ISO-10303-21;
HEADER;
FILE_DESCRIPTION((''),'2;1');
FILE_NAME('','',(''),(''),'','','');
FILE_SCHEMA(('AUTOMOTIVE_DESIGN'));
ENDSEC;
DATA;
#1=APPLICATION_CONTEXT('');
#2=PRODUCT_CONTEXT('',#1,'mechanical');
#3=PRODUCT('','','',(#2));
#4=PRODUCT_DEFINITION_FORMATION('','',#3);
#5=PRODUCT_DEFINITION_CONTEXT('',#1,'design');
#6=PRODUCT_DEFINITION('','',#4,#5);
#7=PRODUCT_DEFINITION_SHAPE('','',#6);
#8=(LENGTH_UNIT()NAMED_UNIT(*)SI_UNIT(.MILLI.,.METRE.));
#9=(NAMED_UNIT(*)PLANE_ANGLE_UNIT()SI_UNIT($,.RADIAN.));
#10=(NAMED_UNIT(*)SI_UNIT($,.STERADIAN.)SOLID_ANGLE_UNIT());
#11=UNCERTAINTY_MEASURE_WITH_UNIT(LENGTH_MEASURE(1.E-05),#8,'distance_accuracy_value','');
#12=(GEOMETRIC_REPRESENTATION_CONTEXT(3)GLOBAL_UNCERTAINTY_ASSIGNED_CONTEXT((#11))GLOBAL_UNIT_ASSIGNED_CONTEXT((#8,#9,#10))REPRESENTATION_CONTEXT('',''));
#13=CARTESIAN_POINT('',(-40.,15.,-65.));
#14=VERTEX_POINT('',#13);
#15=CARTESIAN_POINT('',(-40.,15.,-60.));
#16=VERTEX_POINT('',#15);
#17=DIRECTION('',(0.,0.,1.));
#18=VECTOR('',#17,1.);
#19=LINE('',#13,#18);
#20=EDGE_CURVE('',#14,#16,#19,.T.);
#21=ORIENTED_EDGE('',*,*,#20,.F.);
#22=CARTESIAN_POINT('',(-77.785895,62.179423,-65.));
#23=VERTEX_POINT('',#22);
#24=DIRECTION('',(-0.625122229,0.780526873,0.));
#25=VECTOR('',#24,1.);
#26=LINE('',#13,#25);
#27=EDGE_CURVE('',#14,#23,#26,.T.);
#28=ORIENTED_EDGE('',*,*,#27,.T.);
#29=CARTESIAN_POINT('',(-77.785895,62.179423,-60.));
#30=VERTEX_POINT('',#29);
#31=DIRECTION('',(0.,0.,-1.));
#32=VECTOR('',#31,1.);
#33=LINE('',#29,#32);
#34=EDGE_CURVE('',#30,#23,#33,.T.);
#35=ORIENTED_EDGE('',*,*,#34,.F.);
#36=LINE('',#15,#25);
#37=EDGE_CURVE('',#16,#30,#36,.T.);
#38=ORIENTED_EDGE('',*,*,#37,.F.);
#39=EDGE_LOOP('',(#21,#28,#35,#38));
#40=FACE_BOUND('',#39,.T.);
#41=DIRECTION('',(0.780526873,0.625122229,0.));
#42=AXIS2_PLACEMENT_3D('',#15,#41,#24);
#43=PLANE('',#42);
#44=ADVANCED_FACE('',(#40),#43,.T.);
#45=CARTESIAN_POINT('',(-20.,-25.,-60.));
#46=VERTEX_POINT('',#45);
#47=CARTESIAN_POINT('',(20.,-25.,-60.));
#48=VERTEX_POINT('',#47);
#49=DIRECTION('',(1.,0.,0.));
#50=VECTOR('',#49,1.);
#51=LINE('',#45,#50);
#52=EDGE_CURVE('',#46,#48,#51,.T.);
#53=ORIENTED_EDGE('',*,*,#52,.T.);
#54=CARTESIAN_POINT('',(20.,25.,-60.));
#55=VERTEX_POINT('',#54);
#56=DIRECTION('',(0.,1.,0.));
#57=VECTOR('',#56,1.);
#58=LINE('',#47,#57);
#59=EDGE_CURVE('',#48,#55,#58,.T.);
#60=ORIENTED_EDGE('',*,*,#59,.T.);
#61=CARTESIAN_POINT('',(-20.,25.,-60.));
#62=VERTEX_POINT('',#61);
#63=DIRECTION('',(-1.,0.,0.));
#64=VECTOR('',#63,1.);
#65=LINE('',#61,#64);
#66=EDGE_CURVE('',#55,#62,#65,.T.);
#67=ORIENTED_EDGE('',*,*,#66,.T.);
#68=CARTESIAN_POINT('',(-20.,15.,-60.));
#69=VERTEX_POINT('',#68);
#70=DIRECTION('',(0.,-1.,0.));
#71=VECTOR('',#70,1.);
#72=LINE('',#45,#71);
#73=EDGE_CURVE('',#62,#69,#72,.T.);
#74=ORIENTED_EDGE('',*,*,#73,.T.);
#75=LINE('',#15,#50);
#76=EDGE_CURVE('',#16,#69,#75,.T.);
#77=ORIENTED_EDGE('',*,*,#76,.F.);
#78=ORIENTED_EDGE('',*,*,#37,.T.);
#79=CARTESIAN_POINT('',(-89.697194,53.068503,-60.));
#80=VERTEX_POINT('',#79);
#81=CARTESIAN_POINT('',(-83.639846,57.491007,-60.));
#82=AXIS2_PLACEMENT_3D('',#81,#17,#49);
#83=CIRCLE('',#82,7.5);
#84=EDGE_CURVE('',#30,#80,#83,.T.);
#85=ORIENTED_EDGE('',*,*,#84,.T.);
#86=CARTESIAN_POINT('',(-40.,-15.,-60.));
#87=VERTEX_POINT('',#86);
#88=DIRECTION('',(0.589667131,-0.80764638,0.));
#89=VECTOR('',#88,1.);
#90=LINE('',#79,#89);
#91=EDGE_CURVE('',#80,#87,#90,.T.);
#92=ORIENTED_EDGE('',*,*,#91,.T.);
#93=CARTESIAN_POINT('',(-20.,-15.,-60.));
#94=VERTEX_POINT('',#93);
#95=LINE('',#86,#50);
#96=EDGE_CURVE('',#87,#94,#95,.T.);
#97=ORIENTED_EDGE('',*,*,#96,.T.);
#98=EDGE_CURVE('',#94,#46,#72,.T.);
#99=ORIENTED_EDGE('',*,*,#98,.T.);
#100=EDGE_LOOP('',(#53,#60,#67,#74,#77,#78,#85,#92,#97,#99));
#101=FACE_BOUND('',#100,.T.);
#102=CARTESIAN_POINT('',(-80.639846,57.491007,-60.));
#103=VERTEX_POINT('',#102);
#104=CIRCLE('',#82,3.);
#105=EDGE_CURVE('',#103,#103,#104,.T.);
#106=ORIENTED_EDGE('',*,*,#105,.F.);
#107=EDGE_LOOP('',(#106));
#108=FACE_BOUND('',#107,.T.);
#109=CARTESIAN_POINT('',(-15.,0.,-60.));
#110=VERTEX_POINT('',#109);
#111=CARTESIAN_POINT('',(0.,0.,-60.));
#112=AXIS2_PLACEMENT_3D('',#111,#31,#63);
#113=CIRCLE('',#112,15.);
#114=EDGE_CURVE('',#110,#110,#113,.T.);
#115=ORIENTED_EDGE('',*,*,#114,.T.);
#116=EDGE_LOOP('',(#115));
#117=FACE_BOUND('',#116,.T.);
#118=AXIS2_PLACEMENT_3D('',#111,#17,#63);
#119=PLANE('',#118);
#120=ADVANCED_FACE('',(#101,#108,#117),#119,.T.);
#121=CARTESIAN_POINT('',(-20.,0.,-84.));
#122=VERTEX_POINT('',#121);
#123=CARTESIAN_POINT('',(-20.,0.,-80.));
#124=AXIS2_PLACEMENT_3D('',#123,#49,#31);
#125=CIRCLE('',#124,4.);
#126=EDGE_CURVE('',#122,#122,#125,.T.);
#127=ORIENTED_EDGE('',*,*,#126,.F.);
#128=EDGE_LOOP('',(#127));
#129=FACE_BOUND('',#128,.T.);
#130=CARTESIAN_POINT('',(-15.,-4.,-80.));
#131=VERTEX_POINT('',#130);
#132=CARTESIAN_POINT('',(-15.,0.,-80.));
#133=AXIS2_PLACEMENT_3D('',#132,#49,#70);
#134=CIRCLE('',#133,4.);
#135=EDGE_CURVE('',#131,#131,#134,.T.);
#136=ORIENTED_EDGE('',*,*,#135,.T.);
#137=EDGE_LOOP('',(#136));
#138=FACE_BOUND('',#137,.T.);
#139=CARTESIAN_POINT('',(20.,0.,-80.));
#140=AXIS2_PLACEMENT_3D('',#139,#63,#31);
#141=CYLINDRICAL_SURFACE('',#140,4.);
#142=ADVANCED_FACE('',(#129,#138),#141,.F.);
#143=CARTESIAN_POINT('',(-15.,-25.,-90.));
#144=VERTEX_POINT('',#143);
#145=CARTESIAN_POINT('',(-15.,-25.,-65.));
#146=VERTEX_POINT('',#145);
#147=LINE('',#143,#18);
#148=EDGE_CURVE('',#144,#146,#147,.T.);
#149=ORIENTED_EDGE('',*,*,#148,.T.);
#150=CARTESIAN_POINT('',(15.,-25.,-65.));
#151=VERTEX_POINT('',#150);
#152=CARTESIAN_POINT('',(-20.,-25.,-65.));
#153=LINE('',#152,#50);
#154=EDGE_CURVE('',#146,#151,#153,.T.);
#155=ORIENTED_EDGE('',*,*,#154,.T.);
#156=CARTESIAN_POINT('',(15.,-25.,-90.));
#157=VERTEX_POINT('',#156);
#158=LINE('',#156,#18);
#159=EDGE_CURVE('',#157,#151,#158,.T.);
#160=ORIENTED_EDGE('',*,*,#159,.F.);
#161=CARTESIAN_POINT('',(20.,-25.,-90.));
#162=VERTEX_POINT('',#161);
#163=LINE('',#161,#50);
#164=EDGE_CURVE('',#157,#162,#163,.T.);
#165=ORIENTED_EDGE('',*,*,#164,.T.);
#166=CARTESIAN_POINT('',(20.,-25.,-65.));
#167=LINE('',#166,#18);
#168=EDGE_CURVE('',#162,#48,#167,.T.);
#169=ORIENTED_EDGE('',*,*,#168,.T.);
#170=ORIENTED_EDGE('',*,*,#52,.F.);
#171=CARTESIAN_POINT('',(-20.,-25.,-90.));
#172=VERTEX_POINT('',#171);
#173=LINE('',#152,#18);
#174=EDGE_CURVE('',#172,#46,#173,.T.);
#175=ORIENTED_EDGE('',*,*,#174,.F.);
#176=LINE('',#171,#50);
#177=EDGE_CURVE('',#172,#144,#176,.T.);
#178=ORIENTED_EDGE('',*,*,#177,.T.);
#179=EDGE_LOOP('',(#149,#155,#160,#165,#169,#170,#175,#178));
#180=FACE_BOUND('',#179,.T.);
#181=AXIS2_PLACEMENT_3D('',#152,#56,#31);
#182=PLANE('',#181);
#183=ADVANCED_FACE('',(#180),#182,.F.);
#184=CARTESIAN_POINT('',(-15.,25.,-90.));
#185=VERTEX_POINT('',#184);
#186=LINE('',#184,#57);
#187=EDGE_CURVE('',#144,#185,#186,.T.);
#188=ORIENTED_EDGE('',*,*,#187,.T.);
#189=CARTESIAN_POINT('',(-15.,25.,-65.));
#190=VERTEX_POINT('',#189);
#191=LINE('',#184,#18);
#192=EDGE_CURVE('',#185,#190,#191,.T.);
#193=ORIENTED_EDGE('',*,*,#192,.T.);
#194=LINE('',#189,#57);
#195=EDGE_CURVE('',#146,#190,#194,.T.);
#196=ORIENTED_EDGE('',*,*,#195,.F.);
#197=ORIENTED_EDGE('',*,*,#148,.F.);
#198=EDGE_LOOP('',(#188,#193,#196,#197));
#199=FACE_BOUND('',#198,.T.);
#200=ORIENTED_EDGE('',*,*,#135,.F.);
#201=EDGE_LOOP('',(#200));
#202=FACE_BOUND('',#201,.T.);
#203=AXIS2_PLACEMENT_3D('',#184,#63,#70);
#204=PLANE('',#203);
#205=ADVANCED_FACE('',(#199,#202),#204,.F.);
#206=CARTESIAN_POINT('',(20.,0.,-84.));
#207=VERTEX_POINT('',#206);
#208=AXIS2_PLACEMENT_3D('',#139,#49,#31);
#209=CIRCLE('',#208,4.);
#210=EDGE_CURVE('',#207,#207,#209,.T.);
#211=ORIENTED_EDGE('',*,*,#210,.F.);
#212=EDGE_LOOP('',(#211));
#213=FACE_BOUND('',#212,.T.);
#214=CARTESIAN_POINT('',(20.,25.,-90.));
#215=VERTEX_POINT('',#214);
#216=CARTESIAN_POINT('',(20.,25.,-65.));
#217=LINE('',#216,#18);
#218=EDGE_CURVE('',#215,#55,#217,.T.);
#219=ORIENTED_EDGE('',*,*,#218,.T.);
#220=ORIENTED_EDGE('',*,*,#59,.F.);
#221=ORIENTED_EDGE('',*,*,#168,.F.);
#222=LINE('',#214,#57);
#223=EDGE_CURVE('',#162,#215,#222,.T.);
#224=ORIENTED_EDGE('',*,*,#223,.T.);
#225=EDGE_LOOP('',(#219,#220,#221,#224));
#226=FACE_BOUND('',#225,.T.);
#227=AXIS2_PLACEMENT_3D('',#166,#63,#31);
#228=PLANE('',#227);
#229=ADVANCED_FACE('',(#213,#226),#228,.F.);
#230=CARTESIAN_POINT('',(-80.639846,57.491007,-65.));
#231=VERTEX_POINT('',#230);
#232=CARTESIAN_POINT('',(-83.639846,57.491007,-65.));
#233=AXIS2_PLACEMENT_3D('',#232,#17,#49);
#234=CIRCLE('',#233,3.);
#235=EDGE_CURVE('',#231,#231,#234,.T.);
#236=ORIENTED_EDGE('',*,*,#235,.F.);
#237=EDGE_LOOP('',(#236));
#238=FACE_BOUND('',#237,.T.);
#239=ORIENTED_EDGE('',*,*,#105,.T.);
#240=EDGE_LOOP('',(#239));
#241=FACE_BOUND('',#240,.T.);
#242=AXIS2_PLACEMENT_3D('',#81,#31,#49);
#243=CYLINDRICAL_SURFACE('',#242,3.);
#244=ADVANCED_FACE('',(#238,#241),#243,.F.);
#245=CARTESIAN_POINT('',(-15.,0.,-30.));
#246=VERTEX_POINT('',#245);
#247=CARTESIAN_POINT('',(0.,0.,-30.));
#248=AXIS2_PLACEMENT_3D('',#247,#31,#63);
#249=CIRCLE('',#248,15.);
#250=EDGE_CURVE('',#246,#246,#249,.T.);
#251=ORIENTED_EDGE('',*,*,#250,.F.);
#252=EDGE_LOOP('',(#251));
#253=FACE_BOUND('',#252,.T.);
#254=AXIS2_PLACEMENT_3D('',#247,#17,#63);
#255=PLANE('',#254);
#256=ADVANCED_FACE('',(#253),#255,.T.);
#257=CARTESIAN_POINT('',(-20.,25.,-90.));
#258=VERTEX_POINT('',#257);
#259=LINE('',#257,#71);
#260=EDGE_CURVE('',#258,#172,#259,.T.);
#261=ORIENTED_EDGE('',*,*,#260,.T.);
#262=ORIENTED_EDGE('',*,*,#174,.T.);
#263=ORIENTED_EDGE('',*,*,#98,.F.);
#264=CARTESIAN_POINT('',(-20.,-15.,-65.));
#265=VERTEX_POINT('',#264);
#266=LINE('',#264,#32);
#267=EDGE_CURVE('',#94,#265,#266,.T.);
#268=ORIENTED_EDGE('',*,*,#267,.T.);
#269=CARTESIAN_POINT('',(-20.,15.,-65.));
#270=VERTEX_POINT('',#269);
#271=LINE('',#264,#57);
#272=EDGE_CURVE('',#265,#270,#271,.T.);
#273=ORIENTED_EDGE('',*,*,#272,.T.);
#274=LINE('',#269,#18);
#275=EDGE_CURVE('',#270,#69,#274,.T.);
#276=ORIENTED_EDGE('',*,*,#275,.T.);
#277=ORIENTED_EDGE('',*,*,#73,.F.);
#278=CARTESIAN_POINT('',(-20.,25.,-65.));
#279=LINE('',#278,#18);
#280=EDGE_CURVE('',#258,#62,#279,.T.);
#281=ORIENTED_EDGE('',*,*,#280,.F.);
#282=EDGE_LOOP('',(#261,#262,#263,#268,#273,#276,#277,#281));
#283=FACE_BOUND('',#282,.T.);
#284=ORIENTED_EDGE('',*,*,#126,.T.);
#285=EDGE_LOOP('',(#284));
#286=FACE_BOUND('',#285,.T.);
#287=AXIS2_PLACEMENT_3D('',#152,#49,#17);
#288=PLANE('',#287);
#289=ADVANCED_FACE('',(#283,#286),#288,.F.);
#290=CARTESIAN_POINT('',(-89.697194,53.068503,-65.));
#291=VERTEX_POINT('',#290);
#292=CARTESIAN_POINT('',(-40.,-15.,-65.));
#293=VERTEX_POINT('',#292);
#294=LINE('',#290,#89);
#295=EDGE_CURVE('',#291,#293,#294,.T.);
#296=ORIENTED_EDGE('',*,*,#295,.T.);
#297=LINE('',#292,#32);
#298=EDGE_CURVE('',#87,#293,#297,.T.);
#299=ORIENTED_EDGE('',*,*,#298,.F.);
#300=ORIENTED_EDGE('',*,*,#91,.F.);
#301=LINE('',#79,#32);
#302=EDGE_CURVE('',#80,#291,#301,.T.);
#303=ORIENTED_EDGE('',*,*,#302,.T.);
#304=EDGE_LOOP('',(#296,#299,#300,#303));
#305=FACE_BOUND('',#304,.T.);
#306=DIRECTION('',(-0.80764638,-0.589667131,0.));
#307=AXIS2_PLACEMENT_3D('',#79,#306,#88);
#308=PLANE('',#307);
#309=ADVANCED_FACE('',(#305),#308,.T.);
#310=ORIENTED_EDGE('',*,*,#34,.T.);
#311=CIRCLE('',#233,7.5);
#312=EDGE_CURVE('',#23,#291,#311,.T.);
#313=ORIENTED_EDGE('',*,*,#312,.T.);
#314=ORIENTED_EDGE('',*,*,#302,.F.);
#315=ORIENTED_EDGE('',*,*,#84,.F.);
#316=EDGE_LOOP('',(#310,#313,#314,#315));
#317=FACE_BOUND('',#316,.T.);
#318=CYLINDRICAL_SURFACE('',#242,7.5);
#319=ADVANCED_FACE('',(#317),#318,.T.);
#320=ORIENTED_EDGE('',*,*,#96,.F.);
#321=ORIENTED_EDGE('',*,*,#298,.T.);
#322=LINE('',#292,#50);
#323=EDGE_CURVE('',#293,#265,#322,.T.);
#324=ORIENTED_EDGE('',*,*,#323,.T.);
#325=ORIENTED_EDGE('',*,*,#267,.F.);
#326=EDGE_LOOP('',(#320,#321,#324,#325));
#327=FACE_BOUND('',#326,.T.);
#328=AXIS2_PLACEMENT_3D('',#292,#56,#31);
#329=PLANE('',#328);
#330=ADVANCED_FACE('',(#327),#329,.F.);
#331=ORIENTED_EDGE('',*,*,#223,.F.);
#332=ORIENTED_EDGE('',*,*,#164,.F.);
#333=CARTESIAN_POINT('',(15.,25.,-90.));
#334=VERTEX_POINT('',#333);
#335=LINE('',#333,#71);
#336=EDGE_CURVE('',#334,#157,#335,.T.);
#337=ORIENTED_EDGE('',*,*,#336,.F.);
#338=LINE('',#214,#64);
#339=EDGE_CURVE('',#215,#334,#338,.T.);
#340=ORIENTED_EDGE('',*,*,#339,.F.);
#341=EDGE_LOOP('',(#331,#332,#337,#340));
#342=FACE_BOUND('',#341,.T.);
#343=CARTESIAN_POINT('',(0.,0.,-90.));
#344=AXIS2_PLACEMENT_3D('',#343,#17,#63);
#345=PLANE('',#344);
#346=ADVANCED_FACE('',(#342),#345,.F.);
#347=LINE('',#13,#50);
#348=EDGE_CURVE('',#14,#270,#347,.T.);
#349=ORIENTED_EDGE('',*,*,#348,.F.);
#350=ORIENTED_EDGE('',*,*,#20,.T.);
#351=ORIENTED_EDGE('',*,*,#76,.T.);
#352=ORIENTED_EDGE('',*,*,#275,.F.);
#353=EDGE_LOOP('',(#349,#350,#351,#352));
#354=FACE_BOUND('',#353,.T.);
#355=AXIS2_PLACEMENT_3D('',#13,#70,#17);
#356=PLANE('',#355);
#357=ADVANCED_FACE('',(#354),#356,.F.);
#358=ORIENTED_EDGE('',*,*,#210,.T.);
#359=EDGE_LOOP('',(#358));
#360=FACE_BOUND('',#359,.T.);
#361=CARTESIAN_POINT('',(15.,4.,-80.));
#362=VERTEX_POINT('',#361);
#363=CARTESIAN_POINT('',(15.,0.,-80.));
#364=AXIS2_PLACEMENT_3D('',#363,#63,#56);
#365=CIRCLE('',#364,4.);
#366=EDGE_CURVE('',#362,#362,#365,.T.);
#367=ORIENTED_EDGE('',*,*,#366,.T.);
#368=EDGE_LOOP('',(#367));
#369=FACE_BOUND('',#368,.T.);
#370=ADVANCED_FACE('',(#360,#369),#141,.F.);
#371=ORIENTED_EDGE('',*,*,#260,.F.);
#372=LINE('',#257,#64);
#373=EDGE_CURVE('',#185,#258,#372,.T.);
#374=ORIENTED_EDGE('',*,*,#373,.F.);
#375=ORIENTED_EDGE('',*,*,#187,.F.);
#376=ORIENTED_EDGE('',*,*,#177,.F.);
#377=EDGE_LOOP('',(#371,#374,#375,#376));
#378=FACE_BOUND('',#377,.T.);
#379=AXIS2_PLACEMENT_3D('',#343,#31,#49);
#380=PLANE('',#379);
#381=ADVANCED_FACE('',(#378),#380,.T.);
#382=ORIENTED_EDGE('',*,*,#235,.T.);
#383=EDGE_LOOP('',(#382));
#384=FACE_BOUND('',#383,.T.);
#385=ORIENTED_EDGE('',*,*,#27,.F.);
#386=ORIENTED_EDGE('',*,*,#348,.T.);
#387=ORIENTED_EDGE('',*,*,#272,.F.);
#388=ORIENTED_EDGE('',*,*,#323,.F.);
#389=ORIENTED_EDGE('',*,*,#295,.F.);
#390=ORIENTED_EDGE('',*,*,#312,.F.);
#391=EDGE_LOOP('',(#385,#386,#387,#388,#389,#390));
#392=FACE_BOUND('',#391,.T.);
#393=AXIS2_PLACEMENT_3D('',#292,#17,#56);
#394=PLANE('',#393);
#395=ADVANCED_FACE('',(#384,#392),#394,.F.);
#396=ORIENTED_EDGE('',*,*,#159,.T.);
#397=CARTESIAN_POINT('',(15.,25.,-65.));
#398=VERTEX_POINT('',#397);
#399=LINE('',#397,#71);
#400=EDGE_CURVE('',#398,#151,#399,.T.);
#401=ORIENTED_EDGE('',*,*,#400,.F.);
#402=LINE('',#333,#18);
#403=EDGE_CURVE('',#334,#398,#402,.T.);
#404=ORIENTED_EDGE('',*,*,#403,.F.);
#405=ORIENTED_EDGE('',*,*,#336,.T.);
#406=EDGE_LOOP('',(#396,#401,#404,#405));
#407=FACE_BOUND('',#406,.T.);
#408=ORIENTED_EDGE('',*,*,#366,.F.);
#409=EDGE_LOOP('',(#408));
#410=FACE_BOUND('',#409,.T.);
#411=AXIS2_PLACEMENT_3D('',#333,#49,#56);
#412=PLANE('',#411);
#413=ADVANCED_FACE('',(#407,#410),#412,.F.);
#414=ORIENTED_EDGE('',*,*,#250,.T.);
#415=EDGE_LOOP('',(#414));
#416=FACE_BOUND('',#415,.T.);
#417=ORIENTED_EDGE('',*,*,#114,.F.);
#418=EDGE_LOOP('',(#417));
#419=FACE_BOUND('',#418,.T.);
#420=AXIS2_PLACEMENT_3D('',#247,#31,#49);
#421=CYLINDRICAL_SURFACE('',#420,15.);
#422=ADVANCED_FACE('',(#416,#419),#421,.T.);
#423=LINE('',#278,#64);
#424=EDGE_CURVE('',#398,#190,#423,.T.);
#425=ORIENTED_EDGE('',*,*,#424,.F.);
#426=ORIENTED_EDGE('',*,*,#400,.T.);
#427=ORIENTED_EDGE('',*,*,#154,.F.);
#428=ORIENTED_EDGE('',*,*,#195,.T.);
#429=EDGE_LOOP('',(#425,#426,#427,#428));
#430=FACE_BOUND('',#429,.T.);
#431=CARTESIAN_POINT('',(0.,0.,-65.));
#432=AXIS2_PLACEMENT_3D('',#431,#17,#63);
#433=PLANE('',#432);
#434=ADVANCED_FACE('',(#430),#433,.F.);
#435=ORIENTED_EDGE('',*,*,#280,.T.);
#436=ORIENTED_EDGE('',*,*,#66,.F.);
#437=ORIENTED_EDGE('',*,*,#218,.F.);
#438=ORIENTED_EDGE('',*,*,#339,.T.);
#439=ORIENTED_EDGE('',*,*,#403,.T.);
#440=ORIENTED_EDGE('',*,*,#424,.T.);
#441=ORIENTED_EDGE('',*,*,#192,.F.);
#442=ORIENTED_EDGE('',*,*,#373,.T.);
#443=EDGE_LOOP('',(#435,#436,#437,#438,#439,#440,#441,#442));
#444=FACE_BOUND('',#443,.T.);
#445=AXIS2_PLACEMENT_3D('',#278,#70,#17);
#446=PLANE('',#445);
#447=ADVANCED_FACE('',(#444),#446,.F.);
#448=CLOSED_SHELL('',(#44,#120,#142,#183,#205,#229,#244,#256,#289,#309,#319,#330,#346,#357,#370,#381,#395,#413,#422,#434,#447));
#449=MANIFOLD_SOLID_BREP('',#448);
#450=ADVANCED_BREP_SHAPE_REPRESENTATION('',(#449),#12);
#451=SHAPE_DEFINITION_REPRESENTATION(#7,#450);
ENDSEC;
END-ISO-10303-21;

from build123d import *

# Parameters (mm, degrees)
SKETCH1_W           = 40
SKETCH1_H           = 50
BOSS_EXTRUDE1_DEPTH = 5
SKETCH2_W           = 5
SKETCH2_H           = 50
BOSS_EXTRUDE2_DEPTH = 25
SKETCH3_R           = 4
CUT_EXTRUDE1_DEPTH  = 56.901699437
SKETCH4_W           = 5
SKETCH4_H           = 30
BOSS_EXTRUDE3_DEPTH = 20
SKETCH5_R           = 3
BOSS_EXTRUDE4_DEPTH = 5
SKETCH6_R           = 15
BOSS_EXTRUDE5_DEPTH = 30


with BuildPart() as part:
    # Sketch1 → Boss-Extrude1 (new body)
    with BuildSketch(Plane.XY):
        Rectangle(SKETCH1_W, SKETCH1_H)
    extrude(amount=BOSS_EXTRUDE1_DEPTH)

    # Sketch2 → Boss-Extrude2 (add)
    with BuildSketch(Plane.XY.offset(5)):
        with Locations((-17.5, 0)):
            Rectangle(SKETCH2_W, SKETCH2_H)
        with Locations((17.5, 0)):
            Rectangle(SKETCH2_W, SKETCH2_H)
    extrude(amount=BOSS_EXTRUDE2_DEPTH)

    # Sketch3 → Cut-Extrude1 (cut, through all)
    with BuildSketch(Plane.ZY.offset(20)):
        with Locations((20, 0)):
            Circle(SKETCH3_R)
    extrude(amount=-CUT_EXTRUDE1_DEPTH, mode=Mode.SUBTRACT)

    # Sketch4 → Boss-Extrude3 (add)
    with BuildSketch(Plane.ZY.offset(20)):
        with Locations((2.5, 0)):
            Rectangle(SKETCH4_W, SKETCH4_H)
    extrude(amount=BOSS_EXTRUDE3_DEPTH)

    # Sketch5 → Boss-Extrude4 (add)
    with BuildSketch(Plane.XY.offset(5)):
        with BuildLine():
            Line((-40, 15), (-77.785894763, 62.179423312))
            ThreePointArc((-77.785894763, 62.179423312), (-88.196441443, 63.448140197), (-89.697194155, 53.068503112))
            Line((-89.697194155, 53.068503112), (-40, -15))
            Line((-40, -15), (-40, 15))
        make_face()
        with Locations((-83.639846307, 57.491006594)):
            Circle(SKETCH5_R, mode=Mode.SUBTRACT)
    extrude(amount=-BOSS_EXTRUDE4_DEPTH)

    # Sketch6 → Boss-Extrude5 (add)
    with BuildSketch(Plane(origin=(0, 0, 0), x_dir=(-1, 0, 0), z_dir=(0, 0, -1))):
        Circle(SKETCH6_R)
    extrude(amount=BOSS_EXTRUDE5_DEPTH)


with BuildPart() as body_2:
    # Mirror1: mirrored copy
    add(part.part.mirror(Plane(origin=(0, 0, -30), x_dir=(1, 0, 0), z_dir=(0, 0, -1))))


solid = body_2.part
